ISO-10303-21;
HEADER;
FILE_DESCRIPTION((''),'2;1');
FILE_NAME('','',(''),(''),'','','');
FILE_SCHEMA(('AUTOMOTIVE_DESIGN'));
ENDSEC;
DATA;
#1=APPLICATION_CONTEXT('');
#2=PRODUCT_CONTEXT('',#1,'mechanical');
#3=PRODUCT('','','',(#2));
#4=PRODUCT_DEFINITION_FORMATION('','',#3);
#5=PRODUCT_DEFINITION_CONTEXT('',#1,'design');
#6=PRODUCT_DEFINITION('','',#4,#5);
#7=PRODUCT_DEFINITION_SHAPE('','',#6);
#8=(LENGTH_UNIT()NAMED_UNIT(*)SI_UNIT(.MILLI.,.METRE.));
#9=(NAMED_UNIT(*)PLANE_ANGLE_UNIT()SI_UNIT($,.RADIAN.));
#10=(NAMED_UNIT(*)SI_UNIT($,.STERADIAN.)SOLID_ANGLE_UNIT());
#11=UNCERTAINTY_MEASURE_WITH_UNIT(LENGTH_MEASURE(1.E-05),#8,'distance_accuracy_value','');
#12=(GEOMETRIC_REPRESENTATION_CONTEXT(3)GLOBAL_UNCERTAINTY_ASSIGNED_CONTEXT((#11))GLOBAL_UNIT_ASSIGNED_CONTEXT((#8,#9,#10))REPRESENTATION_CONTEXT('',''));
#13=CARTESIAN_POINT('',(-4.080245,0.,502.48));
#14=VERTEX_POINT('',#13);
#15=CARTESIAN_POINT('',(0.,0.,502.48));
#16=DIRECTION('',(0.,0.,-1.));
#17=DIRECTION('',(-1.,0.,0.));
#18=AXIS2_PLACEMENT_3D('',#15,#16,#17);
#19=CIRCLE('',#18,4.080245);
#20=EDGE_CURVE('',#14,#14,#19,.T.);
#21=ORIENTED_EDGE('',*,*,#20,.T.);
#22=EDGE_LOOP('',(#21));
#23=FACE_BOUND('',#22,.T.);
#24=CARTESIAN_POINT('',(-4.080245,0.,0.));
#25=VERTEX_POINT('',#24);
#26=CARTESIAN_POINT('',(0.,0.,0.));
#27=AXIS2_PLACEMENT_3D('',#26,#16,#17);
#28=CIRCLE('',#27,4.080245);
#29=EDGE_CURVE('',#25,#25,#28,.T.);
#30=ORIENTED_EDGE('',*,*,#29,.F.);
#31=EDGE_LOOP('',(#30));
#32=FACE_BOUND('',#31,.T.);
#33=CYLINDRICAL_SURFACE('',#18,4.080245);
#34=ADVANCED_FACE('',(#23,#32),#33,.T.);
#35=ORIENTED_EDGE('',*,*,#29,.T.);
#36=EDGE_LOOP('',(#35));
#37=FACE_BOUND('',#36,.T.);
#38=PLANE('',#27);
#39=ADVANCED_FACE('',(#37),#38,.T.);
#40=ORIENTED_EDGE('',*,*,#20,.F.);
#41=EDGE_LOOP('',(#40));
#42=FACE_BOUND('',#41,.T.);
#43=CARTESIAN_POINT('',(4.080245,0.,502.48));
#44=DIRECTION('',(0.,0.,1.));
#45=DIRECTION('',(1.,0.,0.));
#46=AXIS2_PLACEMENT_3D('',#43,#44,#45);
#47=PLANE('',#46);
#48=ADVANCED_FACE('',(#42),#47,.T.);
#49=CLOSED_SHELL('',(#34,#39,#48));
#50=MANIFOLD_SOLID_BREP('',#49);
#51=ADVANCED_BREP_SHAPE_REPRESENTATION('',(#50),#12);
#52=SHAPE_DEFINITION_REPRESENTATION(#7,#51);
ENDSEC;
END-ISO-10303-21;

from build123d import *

# Parameters (mm, degrees)
ESBO_O1_W = 4.080244746
ESBO_O1_H = 502.48


with BuildPart() as part:
    # Esboço1 → Revolução1 (revolve)
    with BuildSketch(Plane.XZ):
        with Locations((2.040122373, 251.24)):
            Rectangle(ESBO_O1_W, ESBO_O1_H)
    revolve(axis=Axis((0, 0, 502.48), (0, 0, -1)))


solid = part.part
